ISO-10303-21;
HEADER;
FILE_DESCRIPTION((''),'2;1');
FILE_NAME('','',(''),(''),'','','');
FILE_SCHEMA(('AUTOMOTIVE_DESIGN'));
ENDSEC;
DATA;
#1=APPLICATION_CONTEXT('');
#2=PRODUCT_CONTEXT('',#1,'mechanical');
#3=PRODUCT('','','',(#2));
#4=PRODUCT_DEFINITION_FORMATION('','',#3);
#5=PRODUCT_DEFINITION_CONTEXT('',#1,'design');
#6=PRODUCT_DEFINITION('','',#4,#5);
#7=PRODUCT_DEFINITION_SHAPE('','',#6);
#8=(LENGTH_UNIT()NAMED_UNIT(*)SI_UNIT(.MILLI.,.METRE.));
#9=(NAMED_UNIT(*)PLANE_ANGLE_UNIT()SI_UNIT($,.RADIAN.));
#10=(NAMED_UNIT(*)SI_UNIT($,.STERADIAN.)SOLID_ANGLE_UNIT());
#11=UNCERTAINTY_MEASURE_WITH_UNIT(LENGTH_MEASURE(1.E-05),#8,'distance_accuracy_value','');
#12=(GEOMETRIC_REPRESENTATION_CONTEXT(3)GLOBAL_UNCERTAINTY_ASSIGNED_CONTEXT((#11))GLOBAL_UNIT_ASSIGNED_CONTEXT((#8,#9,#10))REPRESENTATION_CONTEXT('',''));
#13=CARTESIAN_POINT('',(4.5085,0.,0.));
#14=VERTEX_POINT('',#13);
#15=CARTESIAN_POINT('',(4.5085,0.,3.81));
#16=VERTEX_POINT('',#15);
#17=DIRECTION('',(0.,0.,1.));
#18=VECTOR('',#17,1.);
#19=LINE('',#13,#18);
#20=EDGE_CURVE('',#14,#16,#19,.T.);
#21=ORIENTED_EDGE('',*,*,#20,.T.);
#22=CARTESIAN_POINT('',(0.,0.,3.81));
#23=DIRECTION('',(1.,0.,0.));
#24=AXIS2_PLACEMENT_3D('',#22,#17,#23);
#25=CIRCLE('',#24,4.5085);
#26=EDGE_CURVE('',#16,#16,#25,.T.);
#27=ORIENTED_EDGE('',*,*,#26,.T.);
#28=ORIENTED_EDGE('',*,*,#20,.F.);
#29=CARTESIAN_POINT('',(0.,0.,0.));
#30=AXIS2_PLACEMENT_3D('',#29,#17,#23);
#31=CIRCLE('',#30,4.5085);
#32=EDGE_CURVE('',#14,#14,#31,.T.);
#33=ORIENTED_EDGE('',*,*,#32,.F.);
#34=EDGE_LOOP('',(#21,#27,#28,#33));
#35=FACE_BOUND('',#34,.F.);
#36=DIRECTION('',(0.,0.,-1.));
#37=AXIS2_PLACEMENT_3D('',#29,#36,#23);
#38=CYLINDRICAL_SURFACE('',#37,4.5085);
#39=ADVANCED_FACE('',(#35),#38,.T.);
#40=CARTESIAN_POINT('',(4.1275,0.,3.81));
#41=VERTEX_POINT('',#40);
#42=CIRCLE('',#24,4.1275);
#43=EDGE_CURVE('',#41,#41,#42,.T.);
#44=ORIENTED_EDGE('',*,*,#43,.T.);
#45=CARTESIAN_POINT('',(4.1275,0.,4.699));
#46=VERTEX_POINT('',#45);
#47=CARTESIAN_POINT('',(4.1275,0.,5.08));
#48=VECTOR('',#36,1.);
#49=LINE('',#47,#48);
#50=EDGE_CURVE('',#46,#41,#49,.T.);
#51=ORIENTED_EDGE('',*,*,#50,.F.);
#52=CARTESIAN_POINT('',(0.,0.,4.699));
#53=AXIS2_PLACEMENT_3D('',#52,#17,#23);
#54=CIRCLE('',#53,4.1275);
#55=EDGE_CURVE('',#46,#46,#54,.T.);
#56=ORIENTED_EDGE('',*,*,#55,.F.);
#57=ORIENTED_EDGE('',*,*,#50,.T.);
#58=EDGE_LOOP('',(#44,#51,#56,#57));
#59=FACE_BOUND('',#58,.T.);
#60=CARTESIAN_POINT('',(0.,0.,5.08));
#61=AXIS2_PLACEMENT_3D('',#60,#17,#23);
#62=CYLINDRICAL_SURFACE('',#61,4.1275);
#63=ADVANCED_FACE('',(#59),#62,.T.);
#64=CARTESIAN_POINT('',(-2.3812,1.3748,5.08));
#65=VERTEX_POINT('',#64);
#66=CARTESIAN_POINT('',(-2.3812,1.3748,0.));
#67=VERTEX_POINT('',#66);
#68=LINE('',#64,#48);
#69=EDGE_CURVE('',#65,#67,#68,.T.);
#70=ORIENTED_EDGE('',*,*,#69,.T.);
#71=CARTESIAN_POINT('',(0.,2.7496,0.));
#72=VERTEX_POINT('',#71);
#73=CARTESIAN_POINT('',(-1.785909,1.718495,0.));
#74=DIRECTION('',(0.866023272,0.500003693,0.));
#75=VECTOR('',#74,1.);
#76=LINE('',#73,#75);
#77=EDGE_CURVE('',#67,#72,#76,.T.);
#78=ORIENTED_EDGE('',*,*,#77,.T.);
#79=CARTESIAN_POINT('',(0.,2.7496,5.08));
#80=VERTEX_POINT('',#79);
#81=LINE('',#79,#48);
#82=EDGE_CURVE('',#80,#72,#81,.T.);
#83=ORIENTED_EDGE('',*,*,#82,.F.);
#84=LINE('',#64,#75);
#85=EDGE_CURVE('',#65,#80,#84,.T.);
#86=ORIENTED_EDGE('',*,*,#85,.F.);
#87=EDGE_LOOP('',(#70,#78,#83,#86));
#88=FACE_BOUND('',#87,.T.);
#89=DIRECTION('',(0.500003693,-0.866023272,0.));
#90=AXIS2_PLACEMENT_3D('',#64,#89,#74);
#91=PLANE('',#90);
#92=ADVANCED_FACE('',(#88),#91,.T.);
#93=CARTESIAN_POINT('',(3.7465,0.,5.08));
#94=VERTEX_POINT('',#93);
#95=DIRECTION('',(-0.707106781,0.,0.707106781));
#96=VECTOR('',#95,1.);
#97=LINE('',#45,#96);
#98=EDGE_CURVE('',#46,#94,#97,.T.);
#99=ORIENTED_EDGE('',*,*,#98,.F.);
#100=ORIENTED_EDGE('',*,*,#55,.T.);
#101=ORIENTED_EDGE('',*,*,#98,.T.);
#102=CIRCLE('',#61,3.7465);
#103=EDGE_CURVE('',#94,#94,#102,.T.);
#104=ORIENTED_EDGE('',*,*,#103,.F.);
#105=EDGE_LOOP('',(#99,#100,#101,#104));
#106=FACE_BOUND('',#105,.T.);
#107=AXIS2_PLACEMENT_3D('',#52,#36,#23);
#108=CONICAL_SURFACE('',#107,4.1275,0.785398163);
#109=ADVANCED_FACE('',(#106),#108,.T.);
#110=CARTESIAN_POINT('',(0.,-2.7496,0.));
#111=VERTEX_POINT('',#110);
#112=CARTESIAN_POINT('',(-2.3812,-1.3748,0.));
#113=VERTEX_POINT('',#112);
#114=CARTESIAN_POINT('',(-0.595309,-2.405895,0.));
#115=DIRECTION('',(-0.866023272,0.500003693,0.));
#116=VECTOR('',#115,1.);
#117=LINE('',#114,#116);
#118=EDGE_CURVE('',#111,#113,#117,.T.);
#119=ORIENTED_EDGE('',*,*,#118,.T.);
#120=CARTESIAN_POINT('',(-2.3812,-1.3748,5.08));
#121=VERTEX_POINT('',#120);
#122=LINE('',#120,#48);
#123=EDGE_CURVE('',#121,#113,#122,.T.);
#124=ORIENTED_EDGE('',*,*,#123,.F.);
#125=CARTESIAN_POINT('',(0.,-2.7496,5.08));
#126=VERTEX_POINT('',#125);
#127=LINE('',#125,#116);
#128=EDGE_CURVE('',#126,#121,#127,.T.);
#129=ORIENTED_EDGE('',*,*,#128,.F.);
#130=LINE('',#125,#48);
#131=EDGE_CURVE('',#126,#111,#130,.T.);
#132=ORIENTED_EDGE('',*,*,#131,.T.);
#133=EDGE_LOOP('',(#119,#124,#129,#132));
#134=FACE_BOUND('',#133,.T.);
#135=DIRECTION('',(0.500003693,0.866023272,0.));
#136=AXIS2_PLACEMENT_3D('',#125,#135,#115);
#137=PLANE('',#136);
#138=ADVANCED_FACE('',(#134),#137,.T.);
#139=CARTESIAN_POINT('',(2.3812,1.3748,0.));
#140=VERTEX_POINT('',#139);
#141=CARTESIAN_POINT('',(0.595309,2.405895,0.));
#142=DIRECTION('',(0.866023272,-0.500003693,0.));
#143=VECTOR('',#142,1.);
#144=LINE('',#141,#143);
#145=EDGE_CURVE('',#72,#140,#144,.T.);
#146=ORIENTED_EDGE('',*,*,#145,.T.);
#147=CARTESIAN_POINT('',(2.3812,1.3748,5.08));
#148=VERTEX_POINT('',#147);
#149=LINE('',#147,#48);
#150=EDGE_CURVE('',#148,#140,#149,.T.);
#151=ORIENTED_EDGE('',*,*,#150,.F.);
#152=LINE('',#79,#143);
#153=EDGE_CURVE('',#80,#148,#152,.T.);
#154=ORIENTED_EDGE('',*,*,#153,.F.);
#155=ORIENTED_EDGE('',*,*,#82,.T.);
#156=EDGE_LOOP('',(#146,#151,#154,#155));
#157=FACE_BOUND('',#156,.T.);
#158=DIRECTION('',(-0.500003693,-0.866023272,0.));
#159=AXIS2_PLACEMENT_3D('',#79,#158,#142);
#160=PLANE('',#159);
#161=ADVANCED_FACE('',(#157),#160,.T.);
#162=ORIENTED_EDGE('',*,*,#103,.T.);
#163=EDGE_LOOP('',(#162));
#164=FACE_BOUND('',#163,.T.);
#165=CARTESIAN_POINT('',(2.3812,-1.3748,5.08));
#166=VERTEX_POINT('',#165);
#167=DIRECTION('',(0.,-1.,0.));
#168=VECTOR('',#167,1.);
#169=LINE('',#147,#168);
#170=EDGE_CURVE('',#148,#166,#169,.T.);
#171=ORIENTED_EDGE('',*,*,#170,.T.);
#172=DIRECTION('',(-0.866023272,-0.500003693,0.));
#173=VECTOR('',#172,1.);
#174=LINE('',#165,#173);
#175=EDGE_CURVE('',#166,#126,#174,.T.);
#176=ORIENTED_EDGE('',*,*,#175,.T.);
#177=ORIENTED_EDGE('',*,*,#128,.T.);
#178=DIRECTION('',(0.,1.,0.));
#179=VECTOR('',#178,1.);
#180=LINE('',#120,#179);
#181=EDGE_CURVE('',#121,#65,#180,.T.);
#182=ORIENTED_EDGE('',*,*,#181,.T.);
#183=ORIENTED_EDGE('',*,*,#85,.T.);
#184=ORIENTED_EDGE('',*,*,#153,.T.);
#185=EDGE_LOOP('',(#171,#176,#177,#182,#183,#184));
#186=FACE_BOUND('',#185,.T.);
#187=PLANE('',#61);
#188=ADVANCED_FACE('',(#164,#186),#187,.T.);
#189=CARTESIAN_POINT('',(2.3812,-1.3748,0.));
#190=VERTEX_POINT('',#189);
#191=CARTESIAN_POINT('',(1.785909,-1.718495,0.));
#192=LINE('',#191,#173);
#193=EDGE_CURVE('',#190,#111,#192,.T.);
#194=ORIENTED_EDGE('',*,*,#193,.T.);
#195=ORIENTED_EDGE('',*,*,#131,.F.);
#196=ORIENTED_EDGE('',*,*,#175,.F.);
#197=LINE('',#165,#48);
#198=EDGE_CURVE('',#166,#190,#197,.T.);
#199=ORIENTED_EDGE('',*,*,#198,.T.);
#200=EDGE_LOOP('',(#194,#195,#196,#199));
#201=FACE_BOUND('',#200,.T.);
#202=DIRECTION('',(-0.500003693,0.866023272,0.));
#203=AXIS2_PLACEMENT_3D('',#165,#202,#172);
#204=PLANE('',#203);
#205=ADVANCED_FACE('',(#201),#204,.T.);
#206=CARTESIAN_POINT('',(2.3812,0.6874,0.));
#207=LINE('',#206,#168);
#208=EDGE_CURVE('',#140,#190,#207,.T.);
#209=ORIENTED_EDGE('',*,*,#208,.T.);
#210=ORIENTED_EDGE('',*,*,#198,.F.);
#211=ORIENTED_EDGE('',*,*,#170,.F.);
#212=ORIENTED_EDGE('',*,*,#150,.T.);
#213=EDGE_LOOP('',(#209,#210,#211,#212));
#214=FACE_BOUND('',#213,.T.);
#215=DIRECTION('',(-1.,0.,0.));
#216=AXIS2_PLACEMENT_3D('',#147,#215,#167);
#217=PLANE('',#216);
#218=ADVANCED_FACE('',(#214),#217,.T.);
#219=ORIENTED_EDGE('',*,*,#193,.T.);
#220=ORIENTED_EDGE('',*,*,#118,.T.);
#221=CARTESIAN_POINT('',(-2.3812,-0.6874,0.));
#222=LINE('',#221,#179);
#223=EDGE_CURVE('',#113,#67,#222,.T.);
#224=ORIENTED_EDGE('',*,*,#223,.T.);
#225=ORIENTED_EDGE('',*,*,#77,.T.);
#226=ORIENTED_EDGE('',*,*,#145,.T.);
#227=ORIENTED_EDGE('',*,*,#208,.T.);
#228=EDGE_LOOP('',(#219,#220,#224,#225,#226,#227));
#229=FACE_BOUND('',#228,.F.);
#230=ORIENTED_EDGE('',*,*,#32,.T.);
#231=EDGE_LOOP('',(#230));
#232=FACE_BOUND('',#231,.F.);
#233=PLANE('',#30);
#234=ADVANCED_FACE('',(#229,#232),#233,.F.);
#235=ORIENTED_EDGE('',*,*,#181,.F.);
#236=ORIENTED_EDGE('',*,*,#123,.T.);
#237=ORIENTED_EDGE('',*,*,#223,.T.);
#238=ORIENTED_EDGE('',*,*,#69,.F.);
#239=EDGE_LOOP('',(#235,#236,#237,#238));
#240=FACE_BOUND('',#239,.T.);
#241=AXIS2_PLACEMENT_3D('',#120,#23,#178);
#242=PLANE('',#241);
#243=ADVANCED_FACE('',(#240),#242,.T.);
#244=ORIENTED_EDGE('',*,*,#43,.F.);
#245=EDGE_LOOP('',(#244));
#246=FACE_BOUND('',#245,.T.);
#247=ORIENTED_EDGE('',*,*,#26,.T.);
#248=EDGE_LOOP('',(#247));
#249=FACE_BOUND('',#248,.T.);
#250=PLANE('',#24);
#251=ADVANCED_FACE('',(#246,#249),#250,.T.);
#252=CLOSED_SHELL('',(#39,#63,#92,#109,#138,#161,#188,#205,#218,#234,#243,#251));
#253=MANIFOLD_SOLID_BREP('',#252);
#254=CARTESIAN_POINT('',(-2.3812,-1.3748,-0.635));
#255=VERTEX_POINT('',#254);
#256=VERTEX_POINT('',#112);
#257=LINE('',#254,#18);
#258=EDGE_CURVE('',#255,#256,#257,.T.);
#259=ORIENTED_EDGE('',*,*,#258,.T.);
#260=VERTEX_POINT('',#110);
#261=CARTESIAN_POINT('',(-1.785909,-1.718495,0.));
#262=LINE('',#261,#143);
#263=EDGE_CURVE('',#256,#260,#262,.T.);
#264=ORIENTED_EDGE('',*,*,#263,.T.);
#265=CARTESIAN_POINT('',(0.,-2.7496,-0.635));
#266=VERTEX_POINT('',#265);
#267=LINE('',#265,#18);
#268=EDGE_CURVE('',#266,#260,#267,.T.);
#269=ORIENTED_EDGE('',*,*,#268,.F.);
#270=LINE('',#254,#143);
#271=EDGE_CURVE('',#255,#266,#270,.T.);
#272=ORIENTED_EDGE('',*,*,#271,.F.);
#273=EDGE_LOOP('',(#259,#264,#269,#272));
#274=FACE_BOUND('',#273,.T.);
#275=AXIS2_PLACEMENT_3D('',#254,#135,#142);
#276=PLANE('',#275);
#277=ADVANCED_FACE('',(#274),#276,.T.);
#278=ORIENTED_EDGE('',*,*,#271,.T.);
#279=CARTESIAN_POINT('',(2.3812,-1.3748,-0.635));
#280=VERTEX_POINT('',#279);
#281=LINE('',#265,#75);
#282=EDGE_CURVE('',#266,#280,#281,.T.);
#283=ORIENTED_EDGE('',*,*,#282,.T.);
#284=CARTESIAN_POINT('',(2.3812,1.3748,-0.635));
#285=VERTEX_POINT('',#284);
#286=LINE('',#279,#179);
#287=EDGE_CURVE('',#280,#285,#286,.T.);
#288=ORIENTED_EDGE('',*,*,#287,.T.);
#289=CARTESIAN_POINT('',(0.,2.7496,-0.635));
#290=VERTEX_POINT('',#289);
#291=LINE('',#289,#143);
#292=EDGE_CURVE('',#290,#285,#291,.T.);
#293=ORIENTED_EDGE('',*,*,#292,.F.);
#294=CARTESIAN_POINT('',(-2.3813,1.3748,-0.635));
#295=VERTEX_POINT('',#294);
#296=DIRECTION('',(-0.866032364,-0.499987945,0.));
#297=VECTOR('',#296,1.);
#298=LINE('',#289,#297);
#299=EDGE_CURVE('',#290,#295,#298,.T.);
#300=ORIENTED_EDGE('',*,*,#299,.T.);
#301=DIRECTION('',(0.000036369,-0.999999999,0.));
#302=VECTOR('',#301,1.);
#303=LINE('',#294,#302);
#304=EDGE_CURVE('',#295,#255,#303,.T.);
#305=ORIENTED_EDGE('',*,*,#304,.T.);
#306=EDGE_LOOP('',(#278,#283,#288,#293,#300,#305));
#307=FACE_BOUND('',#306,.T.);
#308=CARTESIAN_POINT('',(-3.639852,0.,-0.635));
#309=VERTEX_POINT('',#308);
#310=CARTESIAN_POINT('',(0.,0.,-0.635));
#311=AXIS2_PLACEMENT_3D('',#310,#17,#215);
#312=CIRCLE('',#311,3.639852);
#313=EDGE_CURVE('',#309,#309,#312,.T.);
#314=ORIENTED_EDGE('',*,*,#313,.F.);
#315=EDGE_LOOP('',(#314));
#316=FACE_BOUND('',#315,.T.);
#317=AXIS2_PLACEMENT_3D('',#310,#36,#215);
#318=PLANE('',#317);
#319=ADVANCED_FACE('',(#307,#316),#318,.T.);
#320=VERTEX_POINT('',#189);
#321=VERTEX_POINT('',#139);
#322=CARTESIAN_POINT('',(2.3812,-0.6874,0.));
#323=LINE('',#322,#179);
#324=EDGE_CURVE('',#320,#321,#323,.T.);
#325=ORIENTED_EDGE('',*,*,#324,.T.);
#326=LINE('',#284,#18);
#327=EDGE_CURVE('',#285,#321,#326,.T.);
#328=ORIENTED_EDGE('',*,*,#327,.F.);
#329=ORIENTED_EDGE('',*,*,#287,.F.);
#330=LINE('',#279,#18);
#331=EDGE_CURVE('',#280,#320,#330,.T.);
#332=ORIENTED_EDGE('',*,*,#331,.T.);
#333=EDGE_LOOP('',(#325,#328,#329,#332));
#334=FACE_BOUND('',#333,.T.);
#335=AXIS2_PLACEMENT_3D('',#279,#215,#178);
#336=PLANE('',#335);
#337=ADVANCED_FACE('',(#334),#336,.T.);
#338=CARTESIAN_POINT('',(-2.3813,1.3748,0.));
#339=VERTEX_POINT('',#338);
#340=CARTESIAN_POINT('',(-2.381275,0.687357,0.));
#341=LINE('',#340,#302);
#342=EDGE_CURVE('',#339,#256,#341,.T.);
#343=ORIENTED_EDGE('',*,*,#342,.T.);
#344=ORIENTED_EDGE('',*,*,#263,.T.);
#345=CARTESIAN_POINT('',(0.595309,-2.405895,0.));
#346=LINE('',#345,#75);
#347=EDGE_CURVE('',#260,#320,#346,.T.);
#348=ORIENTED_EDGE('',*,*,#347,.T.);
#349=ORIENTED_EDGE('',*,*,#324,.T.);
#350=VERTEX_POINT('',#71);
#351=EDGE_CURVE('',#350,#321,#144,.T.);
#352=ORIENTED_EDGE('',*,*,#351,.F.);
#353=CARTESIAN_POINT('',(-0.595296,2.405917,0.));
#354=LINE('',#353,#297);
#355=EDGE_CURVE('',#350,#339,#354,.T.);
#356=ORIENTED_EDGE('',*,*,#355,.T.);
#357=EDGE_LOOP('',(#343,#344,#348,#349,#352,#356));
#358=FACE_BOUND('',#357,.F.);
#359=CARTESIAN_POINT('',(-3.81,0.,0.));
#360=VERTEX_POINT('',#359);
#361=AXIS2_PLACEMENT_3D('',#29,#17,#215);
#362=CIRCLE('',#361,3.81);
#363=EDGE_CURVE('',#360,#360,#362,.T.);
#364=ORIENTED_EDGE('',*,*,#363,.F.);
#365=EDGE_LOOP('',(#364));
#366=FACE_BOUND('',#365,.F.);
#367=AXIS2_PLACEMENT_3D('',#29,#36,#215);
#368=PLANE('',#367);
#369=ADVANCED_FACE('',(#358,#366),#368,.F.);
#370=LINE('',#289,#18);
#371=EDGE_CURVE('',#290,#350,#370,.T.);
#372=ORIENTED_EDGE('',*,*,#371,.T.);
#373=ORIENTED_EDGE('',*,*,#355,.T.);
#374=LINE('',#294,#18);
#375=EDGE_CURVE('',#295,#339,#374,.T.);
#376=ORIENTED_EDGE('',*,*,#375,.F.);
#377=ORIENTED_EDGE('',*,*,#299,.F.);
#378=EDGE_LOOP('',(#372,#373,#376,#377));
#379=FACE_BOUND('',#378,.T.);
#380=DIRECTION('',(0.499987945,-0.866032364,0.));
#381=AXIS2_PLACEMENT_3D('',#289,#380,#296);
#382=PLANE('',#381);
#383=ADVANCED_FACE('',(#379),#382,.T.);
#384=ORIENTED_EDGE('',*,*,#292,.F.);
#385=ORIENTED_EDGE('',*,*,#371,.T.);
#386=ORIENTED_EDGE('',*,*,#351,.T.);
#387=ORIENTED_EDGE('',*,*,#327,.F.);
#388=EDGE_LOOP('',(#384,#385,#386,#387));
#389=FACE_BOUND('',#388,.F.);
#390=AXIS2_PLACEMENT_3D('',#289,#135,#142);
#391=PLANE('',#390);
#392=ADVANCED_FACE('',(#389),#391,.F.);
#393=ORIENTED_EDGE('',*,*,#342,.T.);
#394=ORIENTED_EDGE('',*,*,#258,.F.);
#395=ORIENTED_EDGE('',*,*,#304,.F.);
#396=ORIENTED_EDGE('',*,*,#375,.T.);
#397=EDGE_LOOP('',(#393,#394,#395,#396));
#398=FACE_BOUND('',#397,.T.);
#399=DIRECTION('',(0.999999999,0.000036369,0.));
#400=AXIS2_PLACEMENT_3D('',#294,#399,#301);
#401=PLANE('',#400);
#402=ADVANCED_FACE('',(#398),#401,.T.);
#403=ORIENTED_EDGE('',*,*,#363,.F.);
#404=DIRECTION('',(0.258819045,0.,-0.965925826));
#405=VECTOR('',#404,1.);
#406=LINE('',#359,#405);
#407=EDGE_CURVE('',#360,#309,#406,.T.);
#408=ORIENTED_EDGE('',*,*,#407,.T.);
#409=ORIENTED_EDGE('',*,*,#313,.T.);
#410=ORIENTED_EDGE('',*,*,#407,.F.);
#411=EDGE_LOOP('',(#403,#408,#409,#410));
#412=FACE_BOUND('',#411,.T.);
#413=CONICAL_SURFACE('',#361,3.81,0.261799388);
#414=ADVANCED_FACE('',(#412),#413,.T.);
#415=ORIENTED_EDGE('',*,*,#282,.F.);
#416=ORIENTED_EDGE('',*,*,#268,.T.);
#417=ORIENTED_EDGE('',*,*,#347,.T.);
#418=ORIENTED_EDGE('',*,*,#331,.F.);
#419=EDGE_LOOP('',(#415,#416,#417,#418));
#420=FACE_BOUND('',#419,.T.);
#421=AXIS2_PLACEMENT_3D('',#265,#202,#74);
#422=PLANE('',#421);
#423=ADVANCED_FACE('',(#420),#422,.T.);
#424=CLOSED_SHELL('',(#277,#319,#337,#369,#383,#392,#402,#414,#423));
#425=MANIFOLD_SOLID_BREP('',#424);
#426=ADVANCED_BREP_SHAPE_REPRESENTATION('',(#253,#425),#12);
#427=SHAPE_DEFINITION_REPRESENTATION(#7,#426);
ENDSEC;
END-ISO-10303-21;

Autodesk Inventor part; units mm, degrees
ref_plane "YZ Plane" through (0, 0, 0) normal (1, 0, 0) x (0, 1, 0)
ref_plane "XZ Plane" through (0, 0, 0) normal (0, 1, 0) x (-1, 0, 0)
ref_plane "XY Plane" through (0, 0, 0) normal (0, 0, 1) x (1, 0, 0)
sketch "Sketch1" plane through (0, 0, 0) normal (0, 0, 1) x (1, 0, 0)
  circle A0 centre (0, 0) radius 4.5085
  dimension "d0" = 9.017
extrude "Extrusion1" add sketch "Sketch1" along normal blind 5.08
sketch "Sketch2" plane through (0, 0, 0) normal (0, 0, -1) x (-1, 0, 0)
  circle A0 centre (0, 0) radius 3.81
  dimension "d3" = 7.62
extrude "Extrusion2" add sketch "Sketch2" along normal blind 0.635 draft -15 separate body
sketch "Sketch3" plane through (0, 0, 5.08) normal (0, 0, 1) x (1, 0, 0)
  circle A0 centre (0, 0) radius 4.5085 projected
  circle A1 centre (0, 0) radius 4.5085 projected
  circle A2 centre (0, 0) radius 4.1275
  dimension "d6" = 8.255
extrude "Extrusion3" cut sketch "Sketch3" against normal blind 1.27 bodies 1
chamfer "Chamfer1" distance 0.381 angle 45 1 edges at (-4.1275, 0, 5.08)
sketch "Sketch4" plane through (0, 0, 5.08) normal (0, 0, 1) x (1, 0, 0)
  circle A0 centre (0, 0) radius 2.3813 construction
  circle A1 centre (0, 0) radius 4.1275 projected
  line L0 (2.3812, -1.3748) -> (0, -2.7496)
  line L1 (0, -2.7496) -> (-2.3812, -1.3748)
  line L2 (-2.3812, -1.3748) -> (-2.3812, 1.3748)
  line L3 (-2.3812, 1.3748) -> (0, 2.7496)
  line L4 (0, 2.7496) -> (2.3812, 1.3748)
  line L5 (2.3812, 1.3748) -> (2.3812, -1.3748)
  point P0 (2.3813, 0)
  dimension "d12" = 4.7625
extrude "Extrusion4" cut sketch "Sketch4" against normal blind 2540 contours L0 L1 L2 L3 L4 L5 bodies 1
thread "Thread1" size "3/8-36 UNS" class "2A" standard "ANSI Unified Screw Threads" full length
mirror "Mirror1" about plane through (0, 0, 0) normal (0, 0, 1) of "Extrusion4" bodies 1
sketch "Sketch6" plane through (0, 0, -0.635) normal (0, 0, -1) x (-1, 0, 0)
  line L0 (0, 2.7496) -> (-2.3812, 1.3748) projected
  line L1 (0, 2.7496) -> (2.3813, 1.3748)
  line L2 (2.3813, 1.3748) -> (2.3812, -1.3748)
  line L3 (2.3812, -1.3748) -> (0, -2.7496)
  line L4 (0, -2.7496) -> (-2.3812, -1.3748)
  line L5 (-2.3812, -1.3748) -> (-2.3813, 1.3748)
  line L6 (-2.3813, 1.3748) -> (0, 2.7496)
  point P0 (0, 0)
  point P1 (0, 0)
  point P2 (-1.1906, 2.0622)
extrude "Extrusion5" cut sketch "Sketch6" against normal blind 6.35 bodies 2
properties part number "Pillow Ball Retainer"
